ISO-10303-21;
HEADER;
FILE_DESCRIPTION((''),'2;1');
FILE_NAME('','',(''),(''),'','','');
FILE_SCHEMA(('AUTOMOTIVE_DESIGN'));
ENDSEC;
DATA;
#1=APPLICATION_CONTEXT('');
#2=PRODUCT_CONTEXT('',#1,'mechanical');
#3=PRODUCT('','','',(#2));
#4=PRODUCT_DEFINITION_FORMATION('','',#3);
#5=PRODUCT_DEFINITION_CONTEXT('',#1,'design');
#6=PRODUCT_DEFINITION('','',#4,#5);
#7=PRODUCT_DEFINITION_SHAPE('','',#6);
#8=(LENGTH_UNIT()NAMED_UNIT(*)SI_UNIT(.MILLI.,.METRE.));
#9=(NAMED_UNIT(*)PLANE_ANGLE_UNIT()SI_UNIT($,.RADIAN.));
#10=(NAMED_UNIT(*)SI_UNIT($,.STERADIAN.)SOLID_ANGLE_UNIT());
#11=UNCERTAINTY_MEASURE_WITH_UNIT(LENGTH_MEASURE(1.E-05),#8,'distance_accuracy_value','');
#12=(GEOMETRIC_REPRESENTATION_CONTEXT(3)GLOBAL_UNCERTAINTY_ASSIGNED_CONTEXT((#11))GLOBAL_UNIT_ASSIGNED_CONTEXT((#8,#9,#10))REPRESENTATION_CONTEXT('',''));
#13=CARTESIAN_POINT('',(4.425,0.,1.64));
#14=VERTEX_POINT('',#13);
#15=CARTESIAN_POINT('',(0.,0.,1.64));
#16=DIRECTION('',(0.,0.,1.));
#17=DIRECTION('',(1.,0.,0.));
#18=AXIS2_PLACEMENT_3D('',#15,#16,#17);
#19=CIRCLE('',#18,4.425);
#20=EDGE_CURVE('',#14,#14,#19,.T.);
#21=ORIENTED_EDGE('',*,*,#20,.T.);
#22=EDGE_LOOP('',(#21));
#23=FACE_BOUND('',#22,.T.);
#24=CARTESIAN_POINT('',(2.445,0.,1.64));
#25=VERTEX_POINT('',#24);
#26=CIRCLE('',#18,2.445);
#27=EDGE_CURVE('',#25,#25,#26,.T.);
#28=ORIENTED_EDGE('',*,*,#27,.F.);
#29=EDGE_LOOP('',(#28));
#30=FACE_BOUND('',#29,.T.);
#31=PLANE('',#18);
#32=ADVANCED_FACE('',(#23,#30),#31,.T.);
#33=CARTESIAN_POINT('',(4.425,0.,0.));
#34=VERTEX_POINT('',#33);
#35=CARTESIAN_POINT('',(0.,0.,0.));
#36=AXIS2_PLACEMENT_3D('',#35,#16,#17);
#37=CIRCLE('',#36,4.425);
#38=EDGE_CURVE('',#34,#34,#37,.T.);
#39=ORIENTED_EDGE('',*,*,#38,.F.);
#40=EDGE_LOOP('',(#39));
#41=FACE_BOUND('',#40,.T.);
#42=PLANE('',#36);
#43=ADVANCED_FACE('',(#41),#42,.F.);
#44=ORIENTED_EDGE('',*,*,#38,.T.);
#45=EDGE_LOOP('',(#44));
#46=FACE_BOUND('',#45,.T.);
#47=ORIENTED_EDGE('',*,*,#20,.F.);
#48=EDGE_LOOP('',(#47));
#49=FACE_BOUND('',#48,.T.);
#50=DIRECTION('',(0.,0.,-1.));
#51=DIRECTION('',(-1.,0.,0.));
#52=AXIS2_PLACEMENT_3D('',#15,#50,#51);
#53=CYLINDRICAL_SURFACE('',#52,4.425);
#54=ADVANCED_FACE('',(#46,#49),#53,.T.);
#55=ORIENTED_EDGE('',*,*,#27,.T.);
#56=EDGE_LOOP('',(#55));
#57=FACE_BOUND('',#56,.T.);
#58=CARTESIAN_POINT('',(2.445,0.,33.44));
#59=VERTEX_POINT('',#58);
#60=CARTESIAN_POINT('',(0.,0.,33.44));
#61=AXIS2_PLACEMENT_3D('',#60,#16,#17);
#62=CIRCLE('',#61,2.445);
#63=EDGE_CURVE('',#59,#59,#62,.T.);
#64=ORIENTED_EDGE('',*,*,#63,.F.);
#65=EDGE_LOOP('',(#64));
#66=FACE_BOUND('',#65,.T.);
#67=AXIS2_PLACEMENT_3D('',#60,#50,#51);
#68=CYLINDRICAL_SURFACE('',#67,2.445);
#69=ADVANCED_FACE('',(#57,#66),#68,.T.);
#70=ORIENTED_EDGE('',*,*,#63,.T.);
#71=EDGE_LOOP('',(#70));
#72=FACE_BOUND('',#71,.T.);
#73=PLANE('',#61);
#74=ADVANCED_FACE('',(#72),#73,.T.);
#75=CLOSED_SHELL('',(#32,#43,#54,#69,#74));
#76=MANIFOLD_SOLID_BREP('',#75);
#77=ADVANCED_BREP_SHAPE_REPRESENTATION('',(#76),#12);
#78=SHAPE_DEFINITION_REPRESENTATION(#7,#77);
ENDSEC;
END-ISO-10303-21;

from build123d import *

# Parameters (mm, degrees)
SKETCH1_R           = 4.425
BOSS_EXTRUDE1_DEPTH = 1.64
SKETCH2_R           = 2.445
BOSS_EXTRUDE2_DEPTH = 31.8


with BuildPart() as part:
    # Sketch1 → Boss-Extrude1 (new body)
    with BuildSketch(Plane.XY):
        Circle(SKETCH1_R)
    extrude(amount=BOSS_EXTRUDE1_DEPTH)

    # Sketch2 → Boss-Extrude2 (add)
    with BuildSketch(Plane.XY.offset(1.64)):
        Circle(SKETCH2_R)
    extrude(amount=BOSS_EXTRUDE2_DEPTH)


solid = part.part
